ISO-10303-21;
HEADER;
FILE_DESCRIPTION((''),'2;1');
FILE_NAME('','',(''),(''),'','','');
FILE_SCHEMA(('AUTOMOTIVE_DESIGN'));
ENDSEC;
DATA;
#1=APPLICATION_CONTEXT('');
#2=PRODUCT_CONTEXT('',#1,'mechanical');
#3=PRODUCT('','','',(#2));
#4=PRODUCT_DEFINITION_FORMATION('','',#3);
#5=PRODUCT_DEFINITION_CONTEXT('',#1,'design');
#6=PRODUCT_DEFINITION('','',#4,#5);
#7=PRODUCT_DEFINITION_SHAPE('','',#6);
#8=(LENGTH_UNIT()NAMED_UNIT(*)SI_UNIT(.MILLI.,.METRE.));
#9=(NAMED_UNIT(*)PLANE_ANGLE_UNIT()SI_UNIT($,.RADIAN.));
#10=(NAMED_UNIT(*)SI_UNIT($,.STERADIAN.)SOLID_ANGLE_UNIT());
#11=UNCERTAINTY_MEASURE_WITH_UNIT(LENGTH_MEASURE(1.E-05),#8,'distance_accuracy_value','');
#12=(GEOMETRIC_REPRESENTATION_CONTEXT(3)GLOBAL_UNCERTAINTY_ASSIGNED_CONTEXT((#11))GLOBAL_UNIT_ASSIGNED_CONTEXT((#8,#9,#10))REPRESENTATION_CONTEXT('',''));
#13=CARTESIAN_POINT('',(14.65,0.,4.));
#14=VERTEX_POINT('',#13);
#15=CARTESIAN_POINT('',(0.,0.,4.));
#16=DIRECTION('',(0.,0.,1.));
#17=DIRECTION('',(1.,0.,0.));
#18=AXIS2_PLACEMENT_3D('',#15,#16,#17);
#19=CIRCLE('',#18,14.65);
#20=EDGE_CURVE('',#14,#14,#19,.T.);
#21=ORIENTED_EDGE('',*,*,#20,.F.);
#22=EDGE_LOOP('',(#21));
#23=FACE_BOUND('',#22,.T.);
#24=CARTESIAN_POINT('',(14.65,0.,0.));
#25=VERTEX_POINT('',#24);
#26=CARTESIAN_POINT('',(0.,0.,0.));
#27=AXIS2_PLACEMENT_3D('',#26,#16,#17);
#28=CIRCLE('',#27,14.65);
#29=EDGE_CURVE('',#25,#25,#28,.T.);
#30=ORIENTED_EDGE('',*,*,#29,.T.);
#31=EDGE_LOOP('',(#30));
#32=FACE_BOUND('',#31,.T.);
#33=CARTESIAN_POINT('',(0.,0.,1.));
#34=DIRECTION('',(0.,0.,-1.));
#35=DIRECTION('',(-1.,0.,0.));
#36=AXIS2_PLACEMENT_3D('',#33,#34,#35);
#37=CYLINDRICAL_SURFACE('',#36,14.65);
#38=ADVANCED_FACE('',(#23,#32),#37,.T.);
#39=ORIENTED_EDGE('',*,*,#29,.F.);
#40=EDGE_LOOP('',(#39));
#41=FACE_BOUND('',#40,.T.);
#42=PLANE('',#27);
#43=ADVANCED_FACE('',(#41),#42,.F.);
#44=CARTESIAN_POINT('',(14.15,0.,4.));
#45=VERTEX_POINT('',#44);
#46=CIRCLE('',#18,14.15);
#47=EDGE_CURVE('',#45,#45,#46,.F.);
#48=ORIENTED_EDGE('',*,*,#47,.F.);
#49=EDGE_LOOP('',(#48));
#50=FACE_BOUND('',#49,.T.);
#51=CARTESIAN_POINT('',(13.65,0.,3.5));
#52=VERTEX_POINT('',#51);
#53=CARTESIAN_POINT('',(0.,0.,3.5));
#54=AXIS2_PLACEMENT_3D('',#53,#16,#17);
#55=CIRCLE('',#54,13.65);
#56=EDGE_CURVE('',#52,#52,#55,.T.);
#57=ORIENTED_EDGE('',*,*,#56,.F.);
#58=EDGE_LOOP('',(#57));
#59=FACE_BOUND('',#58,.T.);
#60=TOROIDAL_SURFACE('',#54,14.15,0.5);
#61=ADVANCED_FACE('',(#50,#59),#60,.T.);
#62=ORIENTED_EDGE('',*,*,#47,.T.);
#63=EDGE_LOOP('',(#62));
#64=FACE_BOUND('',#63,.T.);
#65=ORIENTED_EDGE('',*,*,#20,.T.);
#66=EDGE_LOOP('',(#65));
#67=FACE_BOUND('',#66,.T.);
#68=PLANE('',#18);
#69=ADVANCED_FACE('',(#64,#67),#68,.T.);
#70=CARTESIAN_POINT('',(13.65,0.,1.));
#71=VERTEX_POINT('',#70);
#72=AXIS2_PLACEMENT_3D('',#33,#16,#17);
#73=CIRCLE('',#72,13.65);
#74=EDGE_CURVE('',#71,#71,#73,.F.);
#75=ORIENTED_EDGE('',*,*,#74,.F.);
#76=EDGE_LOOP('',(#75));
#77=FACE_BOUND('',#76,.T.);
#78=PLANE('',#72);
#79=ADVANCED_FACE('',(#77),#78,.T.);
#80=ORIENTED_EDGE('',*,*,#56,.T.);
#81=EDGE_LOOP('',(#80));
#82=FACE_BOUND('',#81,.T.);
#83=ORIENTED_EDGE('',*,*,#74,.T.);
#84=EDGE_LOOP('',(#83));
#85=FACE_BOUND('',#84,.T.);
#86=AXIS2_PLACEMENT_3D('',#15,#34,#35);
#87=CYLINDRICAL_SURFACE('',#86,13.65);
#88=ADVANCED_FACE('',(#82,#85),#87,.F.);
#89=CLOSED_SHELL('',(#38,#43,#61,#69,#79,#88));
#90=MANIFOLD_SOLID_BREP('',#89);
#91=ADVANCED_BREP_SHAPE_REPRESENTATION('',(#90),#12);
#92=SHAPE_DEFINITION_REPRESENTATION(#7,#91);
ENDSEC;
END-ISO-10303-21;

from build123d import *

# Parameters (mm, degrees)
SKETCH1_R           = 14.65
BOSS_EXTRUDE1_DEPTH = 1
SKETCH2_R           = 14.65
SKETCH2_R_2         = 13.65
BOSS_EXTRUDE2_DEPTH = 3
FILLET1_R           = 0.5


with BuildPart() as part:
    # Sketch1 → Boss-Extrude1 (new body)
    with BuildSketch(Plane.XY):
        Circle(SKETCH1_R)
    extrude(amount=BOSS_EXTRUDE1_DEPTH)

    # Sketch2 → Boss-Extrude2 (add)
    with BuildSketch(Plane.XY.offset(1)):
        Circle(SKETCH2_R)
        Circle(SKETCH2_R_2, mode=Mode.SUBTRACT)
    extrude(amount=BOSS_EXTRUDE2_DEPTH)

    # Fillet1
    fillet1_edges = [part.edges().sort_by_distance(p)[0] for p in [
        (-13.65, 0, 4),
    ]]
    fillet(fillet1_edges, radius=FILLET1_R)


solid = part.part
